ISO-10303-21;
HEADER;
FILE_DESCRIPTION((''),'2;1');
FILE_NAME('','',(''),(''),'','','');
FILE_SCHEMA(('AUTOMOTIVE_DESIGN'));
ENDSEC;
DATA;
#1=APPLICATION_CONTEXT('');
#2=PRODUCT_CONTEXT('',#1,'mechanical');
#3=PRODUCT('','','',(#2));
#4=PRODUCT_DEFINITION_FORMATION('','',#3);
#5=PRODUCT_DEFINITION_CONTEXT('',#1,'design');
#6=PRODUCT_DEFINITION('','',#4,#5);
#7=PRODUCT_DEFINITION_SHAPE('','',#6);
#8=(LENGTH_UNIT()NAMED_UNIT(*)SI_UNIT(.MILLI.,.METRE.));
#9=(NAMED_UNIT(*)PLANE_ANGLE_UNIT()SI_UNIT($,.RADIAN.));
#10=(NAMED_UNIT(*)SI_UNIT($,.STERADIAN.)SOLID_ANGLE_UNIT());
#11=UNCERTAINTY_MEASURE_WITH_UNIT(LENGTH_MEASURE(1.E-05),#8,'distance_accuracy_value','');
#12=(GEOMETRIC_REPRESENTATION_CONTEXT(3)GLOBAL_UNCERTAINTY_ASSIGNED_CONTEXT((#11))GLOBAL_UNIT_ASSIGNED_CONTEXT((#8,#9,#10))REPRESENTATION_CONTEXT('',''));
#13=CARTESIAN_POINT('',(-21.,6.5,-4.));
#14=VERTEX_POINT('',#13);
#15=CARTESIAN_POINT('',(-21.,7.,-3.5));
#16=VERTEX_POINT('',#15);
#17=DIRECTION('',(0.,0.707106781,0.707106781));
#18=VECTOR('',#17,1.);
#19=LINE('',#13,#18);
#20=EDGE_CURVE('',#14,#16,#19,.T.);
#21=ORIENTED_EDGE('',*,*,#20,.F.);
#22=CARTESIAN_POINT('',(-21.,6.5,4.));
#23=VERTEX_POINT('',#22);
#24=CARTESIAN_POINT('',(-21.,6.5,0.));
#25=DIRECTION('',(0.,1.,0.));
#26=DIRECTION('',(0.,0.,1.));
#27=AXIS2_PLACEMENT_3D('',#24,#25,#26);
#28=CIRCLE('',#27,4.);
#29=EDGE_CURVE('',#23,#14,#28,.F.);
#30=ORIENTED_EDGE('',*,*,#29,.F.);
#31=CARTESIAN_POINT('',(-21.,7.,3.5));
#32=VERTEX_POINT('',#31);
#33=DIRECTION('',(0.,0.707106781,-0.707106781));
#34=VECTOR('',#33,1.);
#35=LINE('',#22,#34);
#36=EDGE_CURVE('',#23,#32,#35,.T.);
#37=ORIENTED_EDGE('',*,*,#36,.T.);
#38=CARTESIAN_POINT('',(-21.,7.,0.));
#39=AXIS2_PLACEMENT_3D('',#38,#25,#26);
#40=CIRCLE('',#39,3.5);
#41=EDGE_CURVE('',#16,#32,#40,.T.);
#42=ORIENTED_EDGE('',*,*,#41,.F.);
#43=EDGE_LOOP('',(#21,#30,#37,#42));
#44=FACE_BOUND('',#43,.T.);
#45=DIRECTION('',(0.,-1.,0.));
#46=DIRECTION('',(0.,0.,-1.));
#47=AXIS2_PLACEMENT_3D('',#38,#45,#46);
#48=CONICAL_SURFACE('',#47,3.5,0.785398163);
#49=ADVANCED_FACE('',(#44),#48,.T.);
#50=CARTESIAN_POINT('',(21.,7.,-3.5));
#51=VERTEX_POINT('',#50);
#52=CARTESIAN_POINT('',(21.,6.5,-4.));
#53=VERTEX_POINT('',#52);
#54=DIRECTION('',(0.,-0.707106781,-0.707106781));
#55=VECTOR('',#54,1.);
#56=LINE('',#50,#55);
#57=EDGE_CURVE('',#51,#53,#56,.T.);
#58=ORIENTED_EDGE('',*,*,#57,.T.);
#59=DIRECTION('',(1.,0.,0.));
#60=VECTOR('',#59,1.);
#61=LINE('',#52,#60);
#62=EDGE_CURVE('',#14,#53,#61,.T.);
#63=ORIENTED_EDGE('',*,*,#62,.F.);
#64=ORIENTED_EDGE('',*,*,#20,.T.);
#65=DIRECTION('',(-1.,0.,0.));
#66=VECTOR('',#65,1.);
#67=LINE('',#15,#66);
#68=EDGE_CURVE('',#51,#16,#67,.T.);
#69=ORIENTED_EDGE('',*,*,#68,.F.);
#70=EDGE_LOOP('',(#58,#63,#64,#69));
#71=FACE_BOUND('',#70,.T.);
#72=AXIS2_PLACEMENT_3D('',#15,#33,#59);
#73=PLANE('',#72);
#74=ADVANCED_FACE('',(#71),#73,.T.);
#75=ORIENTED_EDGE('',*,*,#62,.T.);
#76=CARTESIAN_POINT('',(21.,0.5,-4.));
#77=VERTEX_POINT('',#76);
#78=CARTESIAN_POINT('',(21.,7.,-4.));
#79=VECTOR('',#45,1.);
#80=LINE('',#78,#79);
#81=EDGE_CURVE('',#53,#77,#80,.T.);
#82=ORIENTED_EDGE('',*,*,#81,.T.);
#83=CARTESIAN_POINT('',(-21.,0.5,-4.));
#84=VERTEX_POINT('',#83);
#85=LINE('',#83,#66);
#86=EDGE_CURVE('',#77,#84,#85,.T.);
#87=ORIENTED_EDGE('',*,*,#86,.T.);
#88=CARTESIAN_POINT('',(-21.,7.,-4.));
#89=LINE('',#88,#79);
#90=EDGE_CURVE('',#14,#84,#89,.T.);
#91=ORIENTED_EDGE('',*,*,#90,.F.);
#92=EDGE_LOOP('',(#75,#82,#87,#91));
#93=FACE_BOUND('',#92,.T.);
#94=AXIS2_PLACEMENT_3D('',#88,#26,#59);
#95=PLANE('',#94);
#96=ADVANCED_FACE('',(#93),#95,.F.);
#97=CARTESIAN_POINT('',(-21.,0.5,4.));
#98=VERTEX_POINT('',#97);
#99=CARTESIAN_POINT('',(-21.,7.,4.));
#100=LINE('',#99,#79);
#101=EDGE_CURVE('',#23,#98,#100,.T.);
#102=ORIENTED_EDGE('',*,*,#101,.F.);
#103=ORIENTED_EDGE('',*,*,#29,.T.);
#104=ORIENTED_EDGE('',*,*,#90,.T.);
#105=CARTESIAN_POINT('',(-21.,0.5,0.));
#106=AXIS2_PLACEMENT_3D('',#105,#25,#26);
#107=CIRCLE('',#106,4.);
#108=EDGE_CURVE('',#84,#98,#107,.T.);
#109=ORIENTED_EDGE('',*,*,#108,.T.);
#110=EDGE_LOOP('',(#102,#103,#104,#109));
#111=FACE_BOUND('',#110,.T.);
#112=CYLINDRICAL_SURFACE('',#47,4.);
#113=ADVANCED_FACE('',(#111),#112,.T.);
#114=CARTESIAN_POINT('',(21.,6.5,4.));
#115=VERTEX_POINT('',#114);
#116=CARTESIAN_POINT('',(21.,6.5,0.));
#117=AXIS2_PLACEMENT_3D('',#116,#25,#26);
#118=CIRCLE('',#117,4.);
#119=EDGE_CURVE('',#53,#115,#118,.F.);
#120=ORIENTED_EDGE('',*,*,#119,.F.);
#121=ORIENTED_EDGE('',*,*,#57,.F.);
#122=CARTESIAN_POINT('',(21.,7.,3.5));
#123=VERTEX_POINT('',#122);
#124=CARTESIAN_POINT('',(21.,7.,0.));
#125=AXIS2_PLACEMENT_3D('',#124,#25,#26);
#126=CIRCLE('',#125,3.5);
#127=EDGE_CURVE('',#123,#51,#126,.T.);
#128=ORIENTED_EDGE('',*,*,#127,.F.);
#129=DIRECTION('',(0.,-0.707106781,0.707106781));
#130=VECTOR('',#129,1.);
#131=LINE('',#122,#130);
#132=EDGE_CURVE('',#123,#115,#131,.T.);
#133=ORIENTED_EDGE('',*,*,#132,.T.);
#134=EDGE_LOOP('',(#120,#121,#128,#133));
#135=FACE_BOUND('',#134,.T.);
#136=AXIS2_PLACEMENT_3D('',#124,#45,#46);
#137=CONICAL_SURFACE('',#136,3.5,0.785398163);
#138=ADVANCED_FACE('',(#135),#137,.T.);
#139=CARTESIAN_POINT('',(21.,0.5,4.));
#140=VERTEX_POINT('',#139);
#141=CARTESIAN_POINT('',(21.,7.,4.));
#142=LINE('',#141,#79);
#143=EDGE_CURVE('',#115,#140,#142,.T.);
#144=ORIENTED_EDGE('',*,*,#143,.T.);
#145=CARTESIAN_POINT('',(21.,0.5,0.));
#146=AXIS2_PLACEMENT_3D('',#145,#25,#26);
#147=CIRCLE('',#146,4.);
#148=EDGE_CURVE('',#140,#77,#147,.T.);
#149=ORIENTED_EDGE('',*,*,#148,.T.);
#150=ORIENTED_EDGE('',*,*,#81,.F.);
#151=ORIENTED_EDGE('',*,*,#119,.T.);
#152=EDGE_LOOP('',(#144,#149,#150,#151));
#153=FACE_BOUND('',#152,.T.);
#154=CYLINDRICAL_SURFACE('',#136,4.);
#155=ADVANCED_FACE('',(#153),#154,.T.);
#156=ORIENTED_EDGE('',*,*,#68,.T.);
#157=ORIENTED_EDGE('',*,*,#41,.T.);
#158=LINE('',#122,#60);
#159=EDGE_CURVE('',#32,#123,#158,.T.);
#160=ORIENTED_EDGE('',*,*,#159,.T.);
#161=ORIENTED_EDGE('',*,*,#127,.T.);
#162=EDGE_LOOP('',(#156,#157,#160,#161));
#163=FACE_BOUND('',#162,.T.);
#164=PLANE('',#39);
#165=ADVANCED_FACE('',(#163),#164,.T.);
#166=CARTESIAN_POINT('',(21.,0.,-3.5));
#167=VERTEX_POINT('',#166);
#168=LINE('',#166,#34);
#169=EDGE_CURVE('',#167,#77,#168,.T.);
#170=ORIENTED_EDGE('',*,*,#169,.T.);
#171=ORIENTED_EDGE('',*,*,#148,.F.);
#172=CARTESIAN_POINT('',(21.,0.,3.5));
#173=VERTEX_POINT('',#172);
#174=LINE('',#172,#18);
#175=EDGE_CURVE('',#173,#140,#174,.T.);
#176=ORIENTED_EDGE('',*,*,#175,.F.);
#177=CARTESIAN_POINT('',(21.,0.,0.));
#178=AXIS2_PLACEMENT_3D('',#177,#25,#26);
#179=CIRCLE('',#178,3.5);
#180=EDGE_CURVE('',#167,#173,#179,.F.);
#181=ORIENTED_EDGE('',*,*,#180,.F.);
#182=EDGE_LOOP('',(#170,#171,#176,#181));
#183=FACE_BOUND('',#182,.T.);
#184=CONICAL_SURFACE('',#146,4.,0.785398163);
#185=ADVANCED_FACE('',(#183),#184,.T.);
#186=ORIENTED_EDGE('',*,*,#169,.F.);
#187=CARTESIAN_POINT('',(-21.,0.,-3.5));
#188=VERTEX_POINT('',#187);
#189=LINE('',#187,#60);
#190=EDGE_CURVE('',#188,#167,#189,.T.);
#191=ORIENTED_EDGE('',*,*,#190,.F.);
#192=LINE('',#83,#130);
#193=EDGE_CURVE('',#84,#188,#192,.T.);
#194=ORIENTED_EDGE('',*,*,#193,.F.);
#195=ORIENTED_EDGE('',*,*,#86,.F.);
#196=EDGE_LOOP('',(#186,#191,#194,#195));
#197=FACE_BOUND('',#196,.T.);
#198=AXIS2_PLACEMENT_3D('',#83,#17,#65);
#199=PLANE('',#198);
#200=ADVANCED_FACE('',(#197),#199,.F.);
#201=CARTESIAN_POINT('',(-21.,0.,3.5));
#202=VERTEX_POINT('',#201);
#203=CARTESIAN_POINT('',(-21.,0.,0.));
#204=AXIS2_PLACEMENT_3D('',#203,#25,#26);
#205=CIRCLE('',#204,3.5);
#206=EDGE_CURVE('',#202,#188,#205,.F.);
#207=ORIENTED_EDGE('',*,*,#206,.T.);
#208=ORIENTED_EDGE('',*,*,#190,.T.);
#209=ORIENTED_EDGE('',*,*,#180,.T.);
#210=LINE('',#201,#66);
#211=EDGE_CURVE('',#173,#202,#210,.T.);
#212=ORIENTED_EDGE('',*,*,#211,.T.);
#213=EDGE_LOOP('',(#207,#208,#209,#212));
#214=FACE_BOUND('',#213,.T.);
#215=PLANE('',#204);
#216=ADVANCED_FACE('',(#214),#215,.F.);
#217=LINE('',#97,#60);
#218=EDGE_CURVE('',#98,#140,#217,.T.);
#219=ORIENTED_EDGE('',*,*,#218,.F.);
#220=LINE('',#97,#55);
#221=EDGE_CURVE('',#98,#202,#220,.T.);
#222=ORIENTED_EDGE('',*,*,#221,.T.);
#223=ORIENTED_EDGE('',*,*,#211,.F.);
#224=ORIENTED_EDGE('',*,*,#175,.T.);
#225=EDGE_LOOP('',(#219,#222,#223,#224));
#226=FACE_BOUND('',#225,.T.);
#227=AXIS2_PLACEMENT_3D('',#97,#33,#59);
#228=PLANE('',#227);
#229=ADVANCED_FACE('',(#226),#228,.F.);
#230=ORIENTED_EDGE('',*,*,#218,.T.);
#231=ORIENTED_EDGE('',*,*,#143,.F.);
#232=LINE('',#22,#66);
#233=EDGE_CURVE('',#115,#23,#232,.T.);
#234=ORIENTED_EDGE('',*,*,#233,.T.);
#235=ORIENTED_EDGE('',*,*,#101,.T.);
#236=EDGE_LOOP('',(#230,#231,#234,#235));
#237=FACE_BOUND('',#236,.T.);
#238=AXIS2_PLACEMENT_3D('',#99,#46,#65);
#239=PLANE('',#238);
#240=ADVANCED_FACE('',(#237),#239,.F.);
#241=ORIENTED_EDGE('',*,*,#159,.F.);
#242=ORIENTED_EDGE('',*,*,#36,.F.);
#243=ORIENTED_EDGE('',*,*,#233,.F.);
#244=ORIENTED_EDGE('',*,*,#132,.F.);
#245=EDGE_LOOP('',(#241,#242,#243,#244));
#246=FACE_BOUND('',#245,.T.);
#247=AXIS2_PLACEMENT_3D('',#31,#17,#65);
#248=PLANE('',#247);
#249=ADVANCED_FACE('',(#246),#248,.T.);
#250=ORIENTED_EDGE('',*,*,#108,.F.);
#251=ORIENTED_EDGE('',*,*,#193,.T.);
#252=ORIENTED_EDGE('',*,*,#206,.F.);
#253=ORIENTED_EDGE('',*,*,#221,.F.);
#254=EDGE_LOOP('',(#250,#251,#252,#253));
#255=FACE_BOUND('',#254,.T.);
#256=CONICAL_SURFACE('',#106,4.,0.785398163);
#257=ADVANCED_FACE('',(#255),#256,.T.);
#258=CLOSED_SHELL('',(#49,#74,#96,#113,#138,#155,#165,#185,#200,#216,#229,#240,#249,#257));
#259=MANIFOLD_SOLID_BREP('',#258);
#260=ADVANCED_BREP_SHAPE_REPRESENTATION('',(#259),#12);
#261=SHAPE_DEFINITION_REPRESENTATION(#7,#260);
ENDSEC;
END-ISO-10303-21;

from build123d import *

# Parameters (mm, degrees)
BOSS_EXTRUDE1_DEPTH = 7
CHAMFER1_SIZE       = 0.5


with BuildPart() as part:
    # Sketch1 → Boss-Extrude1 (new body)
    with BuildSketch(Plane(origin=(0, 0, 0), x_dir=(1, 0, 0), z_dir=(0, 1, 0))):
        with BuildLine():
            Line((-21, 4), (21, 4))
            ThreePointArc((21, 4), (25, 0), (21, -4))
            Line((21, -4), (-21, -4))
            ThreePointArc((-21, -4), (-25, 0), (-21, 4))
        make_face()
    extrude(amount=BOSS_EXTRUDE1_DEPTH)

    # Chamfer1
    chamfer1_edges = [part.edges().sort_by_distance(p)[0] for p in [
        (25, 7, 0),
        (0, 7, -4),
        (-25, 7, 0),
        (0, 0, -4),
        (25, 0, 0),
        (0, 0, 4),
        (-25, 0, 0),
        (0, 7, 4),
    ]]
    chamfer(chamfer1_edges, length=CHAMFER1_SIZE)


solid = part.part
